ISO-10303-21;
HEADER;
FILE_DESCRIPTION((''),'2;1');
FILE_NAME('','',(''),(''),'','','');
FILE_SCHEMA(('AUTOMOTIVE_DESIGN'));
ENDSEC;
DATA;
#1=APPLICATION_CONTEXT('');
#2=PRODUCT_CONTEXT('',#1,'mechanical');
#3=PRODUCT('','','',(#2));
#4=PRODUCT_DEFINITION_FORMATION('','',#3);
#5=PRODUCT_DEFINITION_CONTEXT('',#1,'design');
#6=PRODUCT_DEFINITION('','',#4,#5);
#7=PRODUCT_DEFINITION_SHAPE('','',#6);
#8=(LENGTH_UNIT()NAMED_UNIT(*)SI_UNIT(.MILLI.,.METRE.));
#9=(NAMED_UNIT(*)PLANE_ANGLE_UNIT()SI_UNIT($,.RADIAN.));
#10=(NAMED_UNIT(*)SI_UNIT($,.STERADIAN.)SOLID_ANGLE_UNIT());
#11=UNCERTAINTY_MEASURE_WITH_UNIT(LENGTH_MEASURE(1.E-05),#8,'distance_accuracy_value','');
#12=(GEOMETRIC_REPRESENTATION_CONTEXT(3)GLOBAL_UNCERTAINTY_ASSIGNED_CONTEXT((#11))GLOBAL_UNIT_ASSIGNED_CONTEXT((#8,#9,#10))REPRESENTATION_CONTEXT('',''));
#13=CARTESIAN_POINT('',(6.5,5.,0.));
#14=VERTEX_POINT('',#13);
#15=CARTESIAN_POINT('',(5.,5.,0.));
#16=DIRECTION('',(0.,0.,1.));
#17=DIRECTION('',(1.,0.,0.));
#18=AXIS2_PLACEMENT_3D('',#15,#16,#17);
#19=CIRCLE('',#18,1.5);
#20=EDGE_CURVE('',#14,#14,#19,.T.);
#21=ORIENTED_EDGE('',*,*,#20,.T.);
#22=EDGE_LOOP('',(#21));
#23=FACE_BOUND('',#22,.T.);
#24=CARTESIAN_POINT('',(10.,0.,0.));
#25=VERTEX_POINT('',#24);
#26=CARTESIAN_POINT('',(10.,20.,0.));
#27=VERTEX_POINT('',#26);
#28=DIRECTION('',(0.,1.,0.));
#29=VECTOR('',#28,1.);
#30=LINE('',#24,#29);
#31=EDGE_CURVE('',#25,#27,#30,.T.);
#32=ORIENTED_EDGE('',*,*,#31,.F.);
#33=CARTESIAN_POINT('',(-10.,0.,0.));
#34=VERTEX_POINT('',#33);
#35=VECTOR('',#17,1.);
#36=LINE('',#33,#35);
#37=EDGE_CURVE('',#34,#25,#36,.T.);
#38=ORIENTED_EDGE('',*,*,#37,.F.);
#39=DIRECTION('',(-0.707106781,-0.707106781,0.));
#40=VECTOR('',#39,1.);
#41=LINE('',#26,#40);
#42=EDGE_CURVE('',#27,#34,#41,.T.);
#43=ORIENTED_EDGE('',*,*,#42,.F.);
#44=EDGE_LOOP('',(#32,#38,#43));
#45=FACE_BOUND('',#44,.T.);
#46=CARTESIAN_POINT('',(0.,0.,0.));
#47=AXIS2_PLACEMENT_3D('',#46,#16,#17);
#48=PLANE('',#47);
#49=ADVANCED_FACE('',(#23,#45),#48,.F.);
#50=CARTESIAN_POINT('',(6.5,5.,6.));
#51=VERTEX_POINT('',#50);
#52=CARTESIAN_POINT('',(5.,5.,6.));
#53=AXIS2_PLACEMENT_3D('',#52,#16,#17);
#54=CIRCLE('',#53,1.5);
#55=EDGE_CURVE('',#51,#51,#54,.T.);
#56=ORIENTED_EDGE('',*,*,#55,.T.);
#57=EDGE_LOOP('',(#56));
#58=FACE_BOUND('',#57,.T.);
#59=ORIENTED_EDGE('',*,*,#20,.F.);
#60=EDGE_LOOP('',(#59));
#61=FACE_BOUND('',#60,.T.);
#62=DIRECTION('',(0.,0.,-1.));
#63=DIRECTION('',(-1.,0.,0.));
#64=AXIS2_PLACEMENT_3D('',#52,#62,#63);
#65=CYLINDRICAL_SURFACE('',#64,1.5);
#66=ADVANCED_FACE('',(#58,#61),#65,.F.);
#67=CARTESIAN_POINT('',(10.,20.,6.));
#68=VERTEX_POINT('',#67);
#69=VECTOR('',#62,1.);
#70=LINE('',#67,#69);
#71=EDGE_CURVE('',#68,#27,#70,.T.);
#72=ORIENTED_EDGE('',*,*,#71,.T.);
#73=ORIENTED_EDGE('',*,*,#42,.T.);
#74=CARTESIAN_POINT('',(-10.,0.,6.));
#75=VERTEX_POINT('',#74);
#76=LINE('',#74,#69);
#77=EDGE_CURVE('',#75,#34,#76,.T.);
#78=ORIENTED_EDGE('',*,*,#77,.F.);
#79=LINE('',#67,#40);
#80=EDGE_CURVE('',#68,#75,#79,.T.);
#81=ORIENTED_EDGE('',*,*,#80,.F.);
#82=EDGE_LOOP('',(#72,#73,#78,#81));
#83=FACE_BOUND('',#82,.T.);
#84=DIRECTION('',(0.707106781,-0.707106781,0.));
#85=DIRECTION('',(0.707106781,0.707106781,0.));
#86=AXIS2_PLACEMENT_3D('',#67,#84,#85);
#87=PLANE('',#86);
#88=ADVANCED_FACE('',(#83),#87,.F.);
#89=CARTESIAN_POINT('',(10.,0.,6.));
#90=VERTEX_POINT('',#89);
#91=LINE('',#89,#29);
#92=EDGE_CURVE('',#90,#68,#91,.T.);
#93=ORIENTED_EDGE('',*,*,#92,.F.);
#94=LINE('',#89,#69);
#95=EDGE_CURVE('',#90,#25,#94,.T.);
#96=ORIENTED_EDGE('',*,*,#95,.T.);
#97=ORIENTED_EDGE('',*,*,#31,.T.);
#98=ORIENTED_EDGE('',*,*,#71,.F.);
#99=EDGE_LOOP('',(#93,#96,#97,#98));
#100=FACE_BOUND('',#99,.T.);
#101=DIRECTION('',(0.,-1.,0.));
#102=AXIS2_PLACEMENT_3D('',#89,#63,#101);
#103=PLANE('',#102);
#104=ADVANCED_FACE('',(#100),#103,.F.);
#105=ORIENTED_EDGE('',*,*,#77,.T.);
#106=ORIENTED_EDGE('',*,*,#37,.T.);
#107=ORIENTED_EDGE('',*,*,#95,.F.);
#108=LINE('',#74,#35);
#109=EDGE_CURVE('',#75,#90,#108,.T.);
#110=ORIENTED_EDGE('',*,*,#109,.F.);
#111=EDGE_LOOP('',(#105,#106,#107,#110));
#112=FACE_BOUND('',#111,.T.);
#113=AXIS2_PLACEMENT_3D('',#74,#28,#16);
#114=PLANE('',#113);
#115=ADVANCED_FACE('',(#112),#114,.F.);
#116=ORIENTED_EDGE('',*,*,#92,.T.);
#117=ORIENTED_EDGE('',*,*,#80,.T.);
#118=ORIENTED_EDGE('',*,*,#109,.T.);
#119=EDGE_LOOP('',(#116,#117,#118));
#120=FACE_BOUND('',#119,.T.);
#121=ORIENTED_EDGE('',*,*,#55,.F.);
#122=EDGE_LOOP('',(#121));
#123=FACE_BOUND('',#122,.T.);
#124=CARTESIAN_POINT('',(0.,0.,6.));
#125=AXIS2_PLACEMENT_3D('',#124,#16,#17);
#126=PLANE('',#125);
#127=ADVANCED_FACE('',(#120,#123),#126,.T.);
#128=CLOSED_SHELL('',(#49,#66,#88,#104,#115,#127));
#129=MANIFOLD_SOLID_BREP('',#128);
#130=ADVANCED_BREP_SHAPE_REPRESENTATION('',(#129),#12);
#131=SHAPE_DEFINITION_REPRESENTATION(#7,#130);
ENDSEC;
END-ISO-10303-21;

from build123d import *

# Parameters (mm, degrees)
ESBO_O1_R                = 1.5
RESSALTO_EXTRUS_O1_DEPTH = 6


with BuildPart() as part:
    # Esboço1 → Ressalto-extrusão1 (new body)
    with BuildSketch(Plane.XY):
        Polygon((-10, 0), (10, 0), (10, 20), align=None)
        with Locations((5, 5)):
            Circle(ESBO_O1_R, mode=Mode.SUBTRACT)
    extrude(amount=RESSALTO_EXTRUS_O1_DEPTH)


solid = part.part
